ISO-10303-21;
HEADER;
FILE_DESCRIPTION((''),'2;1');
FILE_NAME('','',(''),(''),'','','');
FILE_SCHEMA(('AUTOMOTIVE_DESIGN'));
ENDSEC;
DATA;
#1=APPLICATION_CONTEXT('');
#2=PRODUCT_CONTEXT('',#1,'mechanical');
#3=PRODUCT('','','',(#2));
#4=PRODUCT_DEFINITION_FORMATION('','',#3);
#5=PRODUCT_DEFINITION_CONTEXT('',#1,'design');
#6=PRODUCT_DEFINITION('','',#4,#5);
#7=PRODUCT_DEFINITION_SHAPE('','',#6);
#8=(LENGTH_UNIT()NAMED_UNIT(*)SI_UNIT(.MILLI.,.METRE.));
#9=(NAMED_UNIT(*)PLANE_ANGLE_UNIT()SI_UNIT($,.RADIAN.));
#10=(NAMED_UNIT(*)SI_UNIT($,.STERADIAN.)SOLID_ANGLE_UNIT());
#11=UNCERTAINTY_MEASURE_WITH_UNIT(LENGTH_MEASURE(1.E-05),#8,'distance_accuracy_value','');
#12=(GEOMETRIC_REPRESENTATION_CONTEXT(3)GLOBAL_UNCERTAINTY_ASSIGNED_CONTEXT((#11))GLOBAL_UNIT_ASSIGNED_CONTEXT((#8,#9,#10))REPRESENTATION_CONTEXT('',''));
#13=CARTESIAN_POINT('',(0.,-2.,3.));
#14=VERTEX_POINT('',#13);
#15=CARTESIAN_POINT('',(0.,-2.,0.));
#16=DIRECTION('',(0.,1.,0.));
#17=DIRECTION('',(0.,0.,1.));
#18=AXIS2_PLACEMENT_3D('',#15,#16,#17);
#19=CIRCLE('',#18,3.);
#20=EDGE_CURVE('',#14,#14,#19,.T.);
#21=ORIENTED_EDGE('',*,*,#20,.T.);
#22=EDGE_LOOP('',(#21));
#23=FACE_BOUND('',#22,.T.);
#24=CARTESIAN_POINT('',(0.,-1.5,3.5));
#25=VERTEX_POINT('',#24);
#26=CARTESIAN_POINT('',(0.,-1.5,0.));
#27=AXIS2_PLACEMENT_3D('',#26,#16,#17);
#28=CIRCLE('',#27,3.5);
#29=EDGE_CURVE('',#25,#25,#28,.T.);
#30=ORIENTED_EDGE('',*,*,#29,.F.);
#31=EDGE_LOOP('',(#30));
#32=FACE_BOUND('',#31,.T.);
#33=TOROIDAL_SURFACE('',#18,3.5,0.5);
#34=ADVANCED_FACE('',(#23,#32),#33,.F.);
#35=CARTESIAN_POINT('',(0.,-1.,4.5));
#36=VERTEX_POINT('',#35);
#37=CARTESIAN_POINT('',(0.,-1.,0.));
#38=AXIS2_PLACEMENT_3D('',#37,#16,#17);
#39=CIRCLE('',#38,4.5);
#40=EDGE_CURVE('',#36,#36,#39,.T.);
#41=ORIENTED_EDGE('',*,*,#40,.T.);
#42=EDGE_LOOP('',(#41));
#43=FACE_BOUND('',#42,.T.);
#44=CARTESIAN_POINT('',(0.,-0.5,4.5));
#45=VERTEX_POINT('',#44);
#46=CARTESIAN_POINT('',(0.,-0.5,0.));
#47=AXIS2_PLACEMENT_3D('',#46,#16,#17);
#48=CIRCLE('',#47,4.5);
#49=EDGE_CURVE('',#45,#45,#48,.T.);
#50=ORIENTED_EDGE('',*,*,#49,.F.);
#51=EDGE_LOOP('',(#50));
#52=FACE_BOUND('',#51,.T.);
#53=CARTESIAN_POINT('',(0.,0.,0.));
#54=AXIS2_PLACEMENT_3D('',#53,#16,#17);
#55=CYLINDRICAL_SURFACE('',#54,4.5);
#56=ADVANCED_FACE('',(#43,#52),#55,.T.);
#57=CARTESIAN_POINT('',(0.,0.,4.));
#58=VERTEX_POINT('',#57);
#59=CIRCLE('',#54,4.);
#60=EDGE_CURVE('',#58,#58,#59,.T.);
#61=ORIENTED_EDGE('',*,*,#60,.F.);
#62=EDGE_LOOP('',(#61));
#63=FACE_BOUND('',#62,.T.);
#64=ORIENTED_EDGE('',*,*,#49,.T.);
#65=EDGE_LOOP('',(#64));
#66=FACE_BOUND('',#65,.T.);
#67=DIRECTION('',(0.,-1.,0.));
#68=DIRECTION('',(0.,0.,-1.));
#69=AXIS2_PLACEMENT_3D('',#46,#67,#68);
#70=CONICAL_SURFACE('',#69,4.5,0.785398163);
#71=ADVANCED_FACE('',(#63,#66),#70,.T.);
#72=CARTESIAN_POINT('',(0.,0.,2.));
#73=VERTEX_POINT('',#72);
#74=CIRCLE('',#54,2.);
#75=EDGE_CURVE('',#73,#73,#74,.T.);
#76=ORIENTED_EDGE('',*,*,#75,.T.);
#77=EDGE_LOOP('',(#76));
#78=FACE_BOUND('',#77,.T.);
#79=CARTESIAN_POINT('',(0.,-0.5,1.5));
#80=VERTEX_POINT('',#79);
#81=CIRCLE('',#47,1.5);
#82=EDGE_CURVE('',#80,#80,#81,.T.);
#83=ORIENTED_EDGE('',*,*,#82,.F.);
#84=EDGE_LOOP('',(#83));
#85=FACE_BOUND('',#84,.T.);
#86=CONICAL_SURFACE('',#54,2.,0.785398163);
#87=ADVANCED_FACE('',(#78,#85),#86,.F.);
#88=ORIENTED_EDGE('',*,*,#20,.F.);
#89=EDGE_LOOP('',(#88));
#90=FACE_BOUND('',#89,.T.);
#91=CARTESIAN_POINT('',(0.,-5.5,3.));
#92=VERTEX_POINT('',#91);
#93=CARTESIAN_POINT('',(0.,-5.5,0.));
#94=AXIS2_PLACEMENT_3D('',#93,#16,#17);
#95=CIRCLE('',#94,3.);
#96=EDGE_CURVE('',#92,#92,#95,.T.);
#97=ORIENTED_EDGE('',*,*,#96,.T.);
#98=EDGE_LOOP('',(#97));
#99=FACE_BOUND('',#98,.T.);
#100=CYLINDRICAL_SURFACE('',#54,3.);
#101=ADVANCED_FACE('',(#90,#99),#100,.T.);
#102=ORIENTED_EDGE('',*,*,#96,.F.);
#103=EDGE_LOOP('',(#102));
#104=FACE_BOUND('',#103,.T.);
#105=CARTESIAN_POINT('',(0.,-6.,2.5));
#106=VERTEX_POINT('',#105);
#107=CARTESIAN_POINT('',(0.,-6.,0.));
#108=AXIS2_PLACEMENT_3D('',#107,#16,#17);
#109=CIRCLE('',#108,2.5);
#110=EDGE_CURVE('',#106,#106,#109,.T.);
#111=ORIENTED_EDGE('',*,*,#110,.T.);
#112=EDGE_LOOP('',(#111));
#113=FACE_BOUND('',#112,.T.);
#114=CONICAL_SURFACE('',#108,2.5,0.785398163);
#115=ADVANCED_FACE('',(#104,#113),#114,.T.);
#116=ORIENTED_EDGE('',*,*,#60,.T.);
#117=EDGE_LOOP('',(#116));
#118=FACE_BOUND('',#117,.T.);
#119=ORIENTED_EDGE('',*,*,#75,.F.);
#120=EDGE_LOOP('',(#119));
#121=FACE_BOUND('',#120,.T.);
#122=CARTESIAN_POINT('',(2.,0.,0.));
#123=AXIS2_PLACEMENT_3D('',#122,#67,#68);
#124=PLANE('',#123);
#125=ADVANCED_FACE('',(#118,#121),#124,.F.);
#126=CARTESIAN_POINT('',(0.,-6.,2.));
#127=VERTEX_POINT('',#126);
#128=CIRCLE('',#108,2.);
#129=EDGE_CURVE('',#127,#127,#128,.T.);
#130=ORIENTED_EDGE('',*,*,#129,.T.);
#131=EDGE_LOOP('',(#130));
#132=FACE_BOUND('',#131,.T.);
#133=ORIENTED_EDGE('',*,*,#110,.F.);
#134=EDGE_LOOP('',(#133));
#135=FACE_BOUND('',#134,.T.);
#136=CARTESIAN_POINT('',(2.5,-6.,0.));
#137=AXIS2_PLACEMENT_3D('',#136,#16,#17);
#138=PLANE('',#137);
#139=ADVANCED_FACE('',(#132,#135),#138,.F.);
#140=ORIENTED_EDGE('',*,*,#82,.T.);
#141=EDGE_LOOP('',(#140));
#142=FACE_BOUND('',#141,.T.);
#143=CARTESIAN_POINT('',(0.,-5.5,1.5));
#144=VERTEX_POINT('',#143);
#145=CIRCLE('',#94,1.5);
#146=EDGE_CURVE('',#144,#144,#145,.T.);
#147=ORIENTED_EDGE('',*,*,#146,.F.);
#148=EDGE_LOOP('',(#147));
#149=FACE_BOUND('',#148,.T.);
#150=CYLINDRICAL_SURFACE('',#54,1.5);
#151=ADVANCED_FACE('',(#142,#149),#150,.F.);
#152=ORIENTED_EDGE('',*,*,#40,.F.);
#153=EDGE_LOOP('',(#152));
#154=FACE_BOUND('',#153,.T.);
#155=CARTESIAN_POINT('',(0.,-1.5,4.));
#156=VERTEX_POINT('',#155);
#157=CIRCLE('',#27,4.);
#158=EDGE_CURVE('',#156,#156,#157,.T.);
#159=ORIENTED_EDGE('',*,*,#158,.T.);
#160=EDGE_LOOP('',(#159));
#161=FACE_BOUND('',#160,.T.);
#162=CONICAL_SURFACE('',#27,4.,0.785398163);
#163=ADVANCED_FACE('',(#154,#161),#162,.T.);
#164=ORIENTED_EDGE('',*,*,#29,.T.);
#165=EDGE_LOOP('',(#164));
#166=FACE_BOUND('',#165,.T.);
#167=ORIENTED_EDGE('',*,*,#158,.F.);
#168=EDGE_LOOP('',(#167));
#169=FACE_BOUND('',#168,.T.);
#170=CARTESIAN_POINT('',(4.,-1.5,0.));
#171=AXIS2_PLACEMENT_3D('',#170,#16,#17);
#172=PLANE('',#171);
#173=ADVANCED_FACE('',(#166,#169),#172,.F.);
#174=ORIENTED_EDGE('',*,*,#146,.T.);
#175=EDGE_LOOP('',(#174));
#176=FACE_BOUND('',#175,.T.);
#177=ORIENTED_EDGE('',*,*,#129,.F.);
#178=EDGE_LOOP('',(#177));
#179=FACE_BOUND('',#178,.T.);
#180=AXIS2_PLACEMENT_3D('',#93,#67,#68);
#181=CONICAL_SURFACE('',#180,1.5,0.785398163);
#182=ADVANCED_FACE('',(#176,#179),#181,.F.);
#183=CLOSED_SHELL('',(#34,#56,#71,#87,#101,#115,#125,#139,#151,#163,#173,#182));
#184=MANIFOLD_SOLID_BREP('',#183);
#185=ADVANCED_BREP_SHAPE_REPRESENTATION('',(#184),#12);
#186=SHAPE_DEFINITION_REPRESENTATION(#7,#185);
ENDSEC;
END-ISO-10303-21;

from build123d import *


with BuildPart() as part:
    # Esquisse1 → Révolution1 (revolve)
    with BuildSketch(Plane.XY, mode=Mode.PRIVATE) as r_volution1_sk:
        with BuildLine():
            Line((2, 0), (4, 0))
            Line((4, 0), (4.5, -0.5))
            Line((4.5, -0.5), (4.5, -1))
            Line((4.5, -1), (4, -1.5))
            Line((4, -1.5), (3.5, -1.5))
            ThreePointArc((3.5, -1.5), (3.146446609, -1.646446609), (3, -2))
            Line((3, -2), (3, -5.5))
            Line((3, -5.5), (2.5, -6))
            Line((2.5, -6), (2, -6))
            Line((2, -6), (1.5, -5.5))
            Line((1.5, -5.5), (1.5, -0.5))
            Line((1.5, -0.5), (2, 0))
        make_face()
    revolve(r_volution1_sk.sketch.rotate(Axis((0, 0, 0), (0, -1, 0)), 90), axis=Axis((0, 0, 0), (0, -1, 0)))


solid = part.part
